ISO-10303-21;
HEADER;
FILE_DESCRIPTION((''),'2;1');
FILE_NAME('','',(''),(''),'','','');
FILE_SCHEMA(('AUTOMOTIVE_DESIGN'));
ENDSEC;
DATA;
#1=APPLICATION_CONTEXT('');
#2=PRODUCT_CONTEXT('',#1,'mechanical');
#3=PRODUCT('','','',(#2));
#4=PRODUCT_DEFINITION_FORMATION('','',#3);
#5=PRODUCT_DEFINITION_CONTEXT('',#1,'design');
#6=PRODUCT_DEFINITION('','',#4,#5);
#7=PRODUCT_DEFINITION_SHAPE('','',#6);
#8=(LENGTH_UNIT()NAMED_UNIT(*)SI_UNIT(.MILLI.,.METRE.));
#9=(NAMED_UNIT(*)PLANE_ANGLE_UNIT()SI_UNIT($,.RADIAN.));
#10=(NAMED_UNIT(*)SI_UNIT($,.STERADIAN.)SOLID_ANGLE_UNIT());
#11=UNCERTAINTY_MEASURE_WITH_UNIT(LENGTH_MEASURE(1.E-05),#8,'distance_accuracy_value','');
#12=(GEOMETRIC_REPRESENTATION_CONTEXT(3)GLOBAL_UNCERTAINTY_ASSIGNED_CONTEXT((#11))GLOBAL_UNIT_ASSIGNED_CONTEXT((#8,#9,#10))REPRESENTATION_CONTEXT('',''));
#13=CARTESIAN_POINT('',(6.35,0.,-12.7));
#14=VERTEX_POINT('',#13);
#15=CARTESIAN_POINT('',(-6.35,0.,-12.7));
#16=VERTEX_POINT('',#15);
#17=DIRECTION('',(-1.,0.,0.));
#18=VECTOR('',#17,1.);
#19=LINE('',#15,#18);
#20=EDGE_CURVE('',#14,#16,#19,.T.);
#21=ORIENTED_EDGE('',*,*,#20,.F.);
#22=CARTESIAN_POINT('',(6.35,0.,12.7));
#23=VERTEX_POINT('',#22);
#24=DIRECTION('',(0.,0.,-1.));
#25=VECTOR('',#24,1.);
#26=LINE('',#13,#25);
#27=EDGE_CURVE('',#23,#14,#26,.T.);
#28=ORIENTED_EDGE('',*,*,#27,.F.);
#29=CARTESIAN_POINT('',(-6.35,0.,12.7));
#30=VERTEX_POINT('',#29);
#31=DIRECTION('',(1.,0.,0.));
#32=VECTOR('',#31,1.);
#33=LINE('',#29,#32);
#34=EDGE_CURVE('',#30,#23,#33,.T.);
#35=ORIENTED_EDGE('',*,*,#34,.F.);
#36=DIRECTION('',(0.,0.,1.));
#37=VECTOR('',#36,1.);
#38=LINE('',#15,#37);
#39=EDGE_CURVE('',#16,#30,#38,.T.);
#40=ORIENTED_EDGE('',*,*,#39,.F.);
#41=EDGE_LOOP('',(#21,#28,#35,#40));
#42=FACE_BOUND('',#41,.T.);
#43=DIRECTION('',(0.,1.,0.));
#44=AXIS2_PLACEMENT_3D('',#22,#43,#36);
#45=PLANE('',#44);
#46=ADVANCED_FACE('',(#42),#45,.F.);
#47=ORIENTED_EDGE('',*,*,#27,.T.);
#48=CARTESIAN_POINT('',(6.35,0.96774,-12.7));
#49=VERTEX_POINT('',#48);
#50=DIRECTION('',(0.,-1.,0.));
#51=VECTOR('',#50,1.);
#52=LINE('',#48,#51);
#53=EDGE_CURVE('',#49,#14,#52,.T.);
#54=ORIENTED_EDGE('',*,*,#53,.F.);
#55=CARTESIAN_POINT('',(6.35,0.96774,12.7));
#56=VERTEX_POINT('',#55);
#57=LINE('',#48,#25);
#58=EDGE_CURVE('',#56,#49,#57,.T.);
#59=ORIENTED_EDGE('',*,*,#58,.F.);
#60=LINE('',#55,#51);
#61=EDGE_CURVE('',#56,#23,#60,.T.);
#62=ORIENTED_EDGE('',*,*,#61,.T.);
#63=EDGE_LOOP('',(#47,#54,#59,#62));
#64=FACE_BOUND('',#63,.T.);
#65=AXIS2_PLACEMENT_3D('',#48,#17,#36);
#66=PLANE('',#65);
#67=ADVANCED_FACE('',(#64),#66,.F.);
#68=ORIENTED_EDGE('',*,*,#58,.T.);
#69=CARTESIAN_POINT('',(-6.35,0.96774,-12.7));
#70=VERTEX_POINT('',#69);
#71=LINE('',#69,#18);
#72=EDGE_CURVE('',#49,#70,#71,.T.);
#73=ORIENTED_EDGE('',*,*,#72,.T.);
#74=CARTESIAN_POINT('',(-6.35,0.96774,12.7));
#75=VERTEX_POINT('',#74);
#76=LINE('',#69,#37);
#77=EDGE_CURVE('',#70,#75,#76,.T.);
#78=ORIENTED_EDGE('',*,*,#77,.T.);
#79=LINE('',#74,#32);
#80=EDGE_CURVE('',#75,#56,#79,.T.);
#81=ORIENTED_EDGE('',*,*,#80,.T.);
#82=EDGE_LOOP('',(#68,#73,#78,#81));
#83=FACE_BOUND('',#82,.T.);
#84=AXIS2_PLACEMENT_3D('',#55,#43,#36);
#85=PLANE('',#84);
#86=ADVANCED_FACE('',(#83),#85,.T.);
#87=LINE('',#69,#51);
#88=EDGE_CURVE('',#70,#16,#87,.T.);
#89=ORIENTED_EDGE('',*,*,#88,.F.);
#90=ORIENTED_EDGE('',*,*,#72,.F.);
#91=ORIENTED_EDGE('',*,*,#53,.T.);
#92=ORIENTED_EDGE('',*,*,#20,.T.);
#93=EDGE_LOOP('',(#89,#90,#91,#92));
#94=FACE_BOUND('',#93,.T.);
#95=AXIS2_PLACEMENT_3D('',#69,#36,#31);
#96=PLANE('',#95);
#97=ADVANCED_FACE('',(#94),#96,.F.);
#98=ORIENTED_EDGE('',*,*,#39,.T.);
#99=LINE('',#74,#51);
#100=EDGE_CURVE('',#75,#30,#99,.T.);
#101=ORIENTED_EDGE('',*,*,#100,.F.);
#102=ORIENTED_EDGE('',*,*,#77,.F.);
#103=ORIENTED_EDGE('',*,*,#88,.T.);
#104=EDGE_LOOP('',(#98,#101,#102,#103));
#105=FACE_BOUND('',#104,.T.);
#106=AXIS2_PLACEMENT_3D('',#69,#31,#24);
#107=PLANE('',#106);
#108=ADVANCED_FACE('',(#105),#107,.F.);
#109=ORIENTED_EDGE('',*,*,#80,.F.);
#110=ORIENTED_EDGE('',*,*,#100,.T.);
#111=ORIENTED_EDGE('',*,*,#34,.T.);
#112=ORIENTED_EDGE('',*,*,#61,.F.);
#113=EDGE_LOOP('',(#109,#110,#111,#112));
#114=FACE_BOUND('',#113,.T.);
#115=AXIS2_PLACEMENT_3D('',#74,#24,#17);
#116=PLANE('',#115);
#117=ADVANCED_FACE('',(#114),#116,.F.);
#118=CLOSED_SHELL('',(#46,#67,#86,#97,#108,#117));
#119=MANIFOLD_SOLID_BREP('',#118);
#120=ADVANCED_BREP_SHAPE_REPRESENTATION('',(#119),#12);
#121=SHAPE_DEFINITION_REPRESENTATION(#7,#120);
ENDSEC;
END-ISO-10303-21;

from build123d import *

# Parameters (mm, degrees)
SKETCH1_W           = 12.7
SKETCH1_H           = 25.4
BOSS_EXTRUDE1_DEPTH = 0.96774


with BuildPart() as part:
    # Sketch1 → Boss-Extrude1 (new body)
    with BuildSketch(Plane(origin=(0, 0, 0), x_dir=(1, 0, 0), z_dir=(0, 1, 0))):
        Rectangle(SKETCH1_W, SKETCH1_H)
    extrude(amount=BOSS_EXTRUDE1_DEPTH)


solid = part.part
